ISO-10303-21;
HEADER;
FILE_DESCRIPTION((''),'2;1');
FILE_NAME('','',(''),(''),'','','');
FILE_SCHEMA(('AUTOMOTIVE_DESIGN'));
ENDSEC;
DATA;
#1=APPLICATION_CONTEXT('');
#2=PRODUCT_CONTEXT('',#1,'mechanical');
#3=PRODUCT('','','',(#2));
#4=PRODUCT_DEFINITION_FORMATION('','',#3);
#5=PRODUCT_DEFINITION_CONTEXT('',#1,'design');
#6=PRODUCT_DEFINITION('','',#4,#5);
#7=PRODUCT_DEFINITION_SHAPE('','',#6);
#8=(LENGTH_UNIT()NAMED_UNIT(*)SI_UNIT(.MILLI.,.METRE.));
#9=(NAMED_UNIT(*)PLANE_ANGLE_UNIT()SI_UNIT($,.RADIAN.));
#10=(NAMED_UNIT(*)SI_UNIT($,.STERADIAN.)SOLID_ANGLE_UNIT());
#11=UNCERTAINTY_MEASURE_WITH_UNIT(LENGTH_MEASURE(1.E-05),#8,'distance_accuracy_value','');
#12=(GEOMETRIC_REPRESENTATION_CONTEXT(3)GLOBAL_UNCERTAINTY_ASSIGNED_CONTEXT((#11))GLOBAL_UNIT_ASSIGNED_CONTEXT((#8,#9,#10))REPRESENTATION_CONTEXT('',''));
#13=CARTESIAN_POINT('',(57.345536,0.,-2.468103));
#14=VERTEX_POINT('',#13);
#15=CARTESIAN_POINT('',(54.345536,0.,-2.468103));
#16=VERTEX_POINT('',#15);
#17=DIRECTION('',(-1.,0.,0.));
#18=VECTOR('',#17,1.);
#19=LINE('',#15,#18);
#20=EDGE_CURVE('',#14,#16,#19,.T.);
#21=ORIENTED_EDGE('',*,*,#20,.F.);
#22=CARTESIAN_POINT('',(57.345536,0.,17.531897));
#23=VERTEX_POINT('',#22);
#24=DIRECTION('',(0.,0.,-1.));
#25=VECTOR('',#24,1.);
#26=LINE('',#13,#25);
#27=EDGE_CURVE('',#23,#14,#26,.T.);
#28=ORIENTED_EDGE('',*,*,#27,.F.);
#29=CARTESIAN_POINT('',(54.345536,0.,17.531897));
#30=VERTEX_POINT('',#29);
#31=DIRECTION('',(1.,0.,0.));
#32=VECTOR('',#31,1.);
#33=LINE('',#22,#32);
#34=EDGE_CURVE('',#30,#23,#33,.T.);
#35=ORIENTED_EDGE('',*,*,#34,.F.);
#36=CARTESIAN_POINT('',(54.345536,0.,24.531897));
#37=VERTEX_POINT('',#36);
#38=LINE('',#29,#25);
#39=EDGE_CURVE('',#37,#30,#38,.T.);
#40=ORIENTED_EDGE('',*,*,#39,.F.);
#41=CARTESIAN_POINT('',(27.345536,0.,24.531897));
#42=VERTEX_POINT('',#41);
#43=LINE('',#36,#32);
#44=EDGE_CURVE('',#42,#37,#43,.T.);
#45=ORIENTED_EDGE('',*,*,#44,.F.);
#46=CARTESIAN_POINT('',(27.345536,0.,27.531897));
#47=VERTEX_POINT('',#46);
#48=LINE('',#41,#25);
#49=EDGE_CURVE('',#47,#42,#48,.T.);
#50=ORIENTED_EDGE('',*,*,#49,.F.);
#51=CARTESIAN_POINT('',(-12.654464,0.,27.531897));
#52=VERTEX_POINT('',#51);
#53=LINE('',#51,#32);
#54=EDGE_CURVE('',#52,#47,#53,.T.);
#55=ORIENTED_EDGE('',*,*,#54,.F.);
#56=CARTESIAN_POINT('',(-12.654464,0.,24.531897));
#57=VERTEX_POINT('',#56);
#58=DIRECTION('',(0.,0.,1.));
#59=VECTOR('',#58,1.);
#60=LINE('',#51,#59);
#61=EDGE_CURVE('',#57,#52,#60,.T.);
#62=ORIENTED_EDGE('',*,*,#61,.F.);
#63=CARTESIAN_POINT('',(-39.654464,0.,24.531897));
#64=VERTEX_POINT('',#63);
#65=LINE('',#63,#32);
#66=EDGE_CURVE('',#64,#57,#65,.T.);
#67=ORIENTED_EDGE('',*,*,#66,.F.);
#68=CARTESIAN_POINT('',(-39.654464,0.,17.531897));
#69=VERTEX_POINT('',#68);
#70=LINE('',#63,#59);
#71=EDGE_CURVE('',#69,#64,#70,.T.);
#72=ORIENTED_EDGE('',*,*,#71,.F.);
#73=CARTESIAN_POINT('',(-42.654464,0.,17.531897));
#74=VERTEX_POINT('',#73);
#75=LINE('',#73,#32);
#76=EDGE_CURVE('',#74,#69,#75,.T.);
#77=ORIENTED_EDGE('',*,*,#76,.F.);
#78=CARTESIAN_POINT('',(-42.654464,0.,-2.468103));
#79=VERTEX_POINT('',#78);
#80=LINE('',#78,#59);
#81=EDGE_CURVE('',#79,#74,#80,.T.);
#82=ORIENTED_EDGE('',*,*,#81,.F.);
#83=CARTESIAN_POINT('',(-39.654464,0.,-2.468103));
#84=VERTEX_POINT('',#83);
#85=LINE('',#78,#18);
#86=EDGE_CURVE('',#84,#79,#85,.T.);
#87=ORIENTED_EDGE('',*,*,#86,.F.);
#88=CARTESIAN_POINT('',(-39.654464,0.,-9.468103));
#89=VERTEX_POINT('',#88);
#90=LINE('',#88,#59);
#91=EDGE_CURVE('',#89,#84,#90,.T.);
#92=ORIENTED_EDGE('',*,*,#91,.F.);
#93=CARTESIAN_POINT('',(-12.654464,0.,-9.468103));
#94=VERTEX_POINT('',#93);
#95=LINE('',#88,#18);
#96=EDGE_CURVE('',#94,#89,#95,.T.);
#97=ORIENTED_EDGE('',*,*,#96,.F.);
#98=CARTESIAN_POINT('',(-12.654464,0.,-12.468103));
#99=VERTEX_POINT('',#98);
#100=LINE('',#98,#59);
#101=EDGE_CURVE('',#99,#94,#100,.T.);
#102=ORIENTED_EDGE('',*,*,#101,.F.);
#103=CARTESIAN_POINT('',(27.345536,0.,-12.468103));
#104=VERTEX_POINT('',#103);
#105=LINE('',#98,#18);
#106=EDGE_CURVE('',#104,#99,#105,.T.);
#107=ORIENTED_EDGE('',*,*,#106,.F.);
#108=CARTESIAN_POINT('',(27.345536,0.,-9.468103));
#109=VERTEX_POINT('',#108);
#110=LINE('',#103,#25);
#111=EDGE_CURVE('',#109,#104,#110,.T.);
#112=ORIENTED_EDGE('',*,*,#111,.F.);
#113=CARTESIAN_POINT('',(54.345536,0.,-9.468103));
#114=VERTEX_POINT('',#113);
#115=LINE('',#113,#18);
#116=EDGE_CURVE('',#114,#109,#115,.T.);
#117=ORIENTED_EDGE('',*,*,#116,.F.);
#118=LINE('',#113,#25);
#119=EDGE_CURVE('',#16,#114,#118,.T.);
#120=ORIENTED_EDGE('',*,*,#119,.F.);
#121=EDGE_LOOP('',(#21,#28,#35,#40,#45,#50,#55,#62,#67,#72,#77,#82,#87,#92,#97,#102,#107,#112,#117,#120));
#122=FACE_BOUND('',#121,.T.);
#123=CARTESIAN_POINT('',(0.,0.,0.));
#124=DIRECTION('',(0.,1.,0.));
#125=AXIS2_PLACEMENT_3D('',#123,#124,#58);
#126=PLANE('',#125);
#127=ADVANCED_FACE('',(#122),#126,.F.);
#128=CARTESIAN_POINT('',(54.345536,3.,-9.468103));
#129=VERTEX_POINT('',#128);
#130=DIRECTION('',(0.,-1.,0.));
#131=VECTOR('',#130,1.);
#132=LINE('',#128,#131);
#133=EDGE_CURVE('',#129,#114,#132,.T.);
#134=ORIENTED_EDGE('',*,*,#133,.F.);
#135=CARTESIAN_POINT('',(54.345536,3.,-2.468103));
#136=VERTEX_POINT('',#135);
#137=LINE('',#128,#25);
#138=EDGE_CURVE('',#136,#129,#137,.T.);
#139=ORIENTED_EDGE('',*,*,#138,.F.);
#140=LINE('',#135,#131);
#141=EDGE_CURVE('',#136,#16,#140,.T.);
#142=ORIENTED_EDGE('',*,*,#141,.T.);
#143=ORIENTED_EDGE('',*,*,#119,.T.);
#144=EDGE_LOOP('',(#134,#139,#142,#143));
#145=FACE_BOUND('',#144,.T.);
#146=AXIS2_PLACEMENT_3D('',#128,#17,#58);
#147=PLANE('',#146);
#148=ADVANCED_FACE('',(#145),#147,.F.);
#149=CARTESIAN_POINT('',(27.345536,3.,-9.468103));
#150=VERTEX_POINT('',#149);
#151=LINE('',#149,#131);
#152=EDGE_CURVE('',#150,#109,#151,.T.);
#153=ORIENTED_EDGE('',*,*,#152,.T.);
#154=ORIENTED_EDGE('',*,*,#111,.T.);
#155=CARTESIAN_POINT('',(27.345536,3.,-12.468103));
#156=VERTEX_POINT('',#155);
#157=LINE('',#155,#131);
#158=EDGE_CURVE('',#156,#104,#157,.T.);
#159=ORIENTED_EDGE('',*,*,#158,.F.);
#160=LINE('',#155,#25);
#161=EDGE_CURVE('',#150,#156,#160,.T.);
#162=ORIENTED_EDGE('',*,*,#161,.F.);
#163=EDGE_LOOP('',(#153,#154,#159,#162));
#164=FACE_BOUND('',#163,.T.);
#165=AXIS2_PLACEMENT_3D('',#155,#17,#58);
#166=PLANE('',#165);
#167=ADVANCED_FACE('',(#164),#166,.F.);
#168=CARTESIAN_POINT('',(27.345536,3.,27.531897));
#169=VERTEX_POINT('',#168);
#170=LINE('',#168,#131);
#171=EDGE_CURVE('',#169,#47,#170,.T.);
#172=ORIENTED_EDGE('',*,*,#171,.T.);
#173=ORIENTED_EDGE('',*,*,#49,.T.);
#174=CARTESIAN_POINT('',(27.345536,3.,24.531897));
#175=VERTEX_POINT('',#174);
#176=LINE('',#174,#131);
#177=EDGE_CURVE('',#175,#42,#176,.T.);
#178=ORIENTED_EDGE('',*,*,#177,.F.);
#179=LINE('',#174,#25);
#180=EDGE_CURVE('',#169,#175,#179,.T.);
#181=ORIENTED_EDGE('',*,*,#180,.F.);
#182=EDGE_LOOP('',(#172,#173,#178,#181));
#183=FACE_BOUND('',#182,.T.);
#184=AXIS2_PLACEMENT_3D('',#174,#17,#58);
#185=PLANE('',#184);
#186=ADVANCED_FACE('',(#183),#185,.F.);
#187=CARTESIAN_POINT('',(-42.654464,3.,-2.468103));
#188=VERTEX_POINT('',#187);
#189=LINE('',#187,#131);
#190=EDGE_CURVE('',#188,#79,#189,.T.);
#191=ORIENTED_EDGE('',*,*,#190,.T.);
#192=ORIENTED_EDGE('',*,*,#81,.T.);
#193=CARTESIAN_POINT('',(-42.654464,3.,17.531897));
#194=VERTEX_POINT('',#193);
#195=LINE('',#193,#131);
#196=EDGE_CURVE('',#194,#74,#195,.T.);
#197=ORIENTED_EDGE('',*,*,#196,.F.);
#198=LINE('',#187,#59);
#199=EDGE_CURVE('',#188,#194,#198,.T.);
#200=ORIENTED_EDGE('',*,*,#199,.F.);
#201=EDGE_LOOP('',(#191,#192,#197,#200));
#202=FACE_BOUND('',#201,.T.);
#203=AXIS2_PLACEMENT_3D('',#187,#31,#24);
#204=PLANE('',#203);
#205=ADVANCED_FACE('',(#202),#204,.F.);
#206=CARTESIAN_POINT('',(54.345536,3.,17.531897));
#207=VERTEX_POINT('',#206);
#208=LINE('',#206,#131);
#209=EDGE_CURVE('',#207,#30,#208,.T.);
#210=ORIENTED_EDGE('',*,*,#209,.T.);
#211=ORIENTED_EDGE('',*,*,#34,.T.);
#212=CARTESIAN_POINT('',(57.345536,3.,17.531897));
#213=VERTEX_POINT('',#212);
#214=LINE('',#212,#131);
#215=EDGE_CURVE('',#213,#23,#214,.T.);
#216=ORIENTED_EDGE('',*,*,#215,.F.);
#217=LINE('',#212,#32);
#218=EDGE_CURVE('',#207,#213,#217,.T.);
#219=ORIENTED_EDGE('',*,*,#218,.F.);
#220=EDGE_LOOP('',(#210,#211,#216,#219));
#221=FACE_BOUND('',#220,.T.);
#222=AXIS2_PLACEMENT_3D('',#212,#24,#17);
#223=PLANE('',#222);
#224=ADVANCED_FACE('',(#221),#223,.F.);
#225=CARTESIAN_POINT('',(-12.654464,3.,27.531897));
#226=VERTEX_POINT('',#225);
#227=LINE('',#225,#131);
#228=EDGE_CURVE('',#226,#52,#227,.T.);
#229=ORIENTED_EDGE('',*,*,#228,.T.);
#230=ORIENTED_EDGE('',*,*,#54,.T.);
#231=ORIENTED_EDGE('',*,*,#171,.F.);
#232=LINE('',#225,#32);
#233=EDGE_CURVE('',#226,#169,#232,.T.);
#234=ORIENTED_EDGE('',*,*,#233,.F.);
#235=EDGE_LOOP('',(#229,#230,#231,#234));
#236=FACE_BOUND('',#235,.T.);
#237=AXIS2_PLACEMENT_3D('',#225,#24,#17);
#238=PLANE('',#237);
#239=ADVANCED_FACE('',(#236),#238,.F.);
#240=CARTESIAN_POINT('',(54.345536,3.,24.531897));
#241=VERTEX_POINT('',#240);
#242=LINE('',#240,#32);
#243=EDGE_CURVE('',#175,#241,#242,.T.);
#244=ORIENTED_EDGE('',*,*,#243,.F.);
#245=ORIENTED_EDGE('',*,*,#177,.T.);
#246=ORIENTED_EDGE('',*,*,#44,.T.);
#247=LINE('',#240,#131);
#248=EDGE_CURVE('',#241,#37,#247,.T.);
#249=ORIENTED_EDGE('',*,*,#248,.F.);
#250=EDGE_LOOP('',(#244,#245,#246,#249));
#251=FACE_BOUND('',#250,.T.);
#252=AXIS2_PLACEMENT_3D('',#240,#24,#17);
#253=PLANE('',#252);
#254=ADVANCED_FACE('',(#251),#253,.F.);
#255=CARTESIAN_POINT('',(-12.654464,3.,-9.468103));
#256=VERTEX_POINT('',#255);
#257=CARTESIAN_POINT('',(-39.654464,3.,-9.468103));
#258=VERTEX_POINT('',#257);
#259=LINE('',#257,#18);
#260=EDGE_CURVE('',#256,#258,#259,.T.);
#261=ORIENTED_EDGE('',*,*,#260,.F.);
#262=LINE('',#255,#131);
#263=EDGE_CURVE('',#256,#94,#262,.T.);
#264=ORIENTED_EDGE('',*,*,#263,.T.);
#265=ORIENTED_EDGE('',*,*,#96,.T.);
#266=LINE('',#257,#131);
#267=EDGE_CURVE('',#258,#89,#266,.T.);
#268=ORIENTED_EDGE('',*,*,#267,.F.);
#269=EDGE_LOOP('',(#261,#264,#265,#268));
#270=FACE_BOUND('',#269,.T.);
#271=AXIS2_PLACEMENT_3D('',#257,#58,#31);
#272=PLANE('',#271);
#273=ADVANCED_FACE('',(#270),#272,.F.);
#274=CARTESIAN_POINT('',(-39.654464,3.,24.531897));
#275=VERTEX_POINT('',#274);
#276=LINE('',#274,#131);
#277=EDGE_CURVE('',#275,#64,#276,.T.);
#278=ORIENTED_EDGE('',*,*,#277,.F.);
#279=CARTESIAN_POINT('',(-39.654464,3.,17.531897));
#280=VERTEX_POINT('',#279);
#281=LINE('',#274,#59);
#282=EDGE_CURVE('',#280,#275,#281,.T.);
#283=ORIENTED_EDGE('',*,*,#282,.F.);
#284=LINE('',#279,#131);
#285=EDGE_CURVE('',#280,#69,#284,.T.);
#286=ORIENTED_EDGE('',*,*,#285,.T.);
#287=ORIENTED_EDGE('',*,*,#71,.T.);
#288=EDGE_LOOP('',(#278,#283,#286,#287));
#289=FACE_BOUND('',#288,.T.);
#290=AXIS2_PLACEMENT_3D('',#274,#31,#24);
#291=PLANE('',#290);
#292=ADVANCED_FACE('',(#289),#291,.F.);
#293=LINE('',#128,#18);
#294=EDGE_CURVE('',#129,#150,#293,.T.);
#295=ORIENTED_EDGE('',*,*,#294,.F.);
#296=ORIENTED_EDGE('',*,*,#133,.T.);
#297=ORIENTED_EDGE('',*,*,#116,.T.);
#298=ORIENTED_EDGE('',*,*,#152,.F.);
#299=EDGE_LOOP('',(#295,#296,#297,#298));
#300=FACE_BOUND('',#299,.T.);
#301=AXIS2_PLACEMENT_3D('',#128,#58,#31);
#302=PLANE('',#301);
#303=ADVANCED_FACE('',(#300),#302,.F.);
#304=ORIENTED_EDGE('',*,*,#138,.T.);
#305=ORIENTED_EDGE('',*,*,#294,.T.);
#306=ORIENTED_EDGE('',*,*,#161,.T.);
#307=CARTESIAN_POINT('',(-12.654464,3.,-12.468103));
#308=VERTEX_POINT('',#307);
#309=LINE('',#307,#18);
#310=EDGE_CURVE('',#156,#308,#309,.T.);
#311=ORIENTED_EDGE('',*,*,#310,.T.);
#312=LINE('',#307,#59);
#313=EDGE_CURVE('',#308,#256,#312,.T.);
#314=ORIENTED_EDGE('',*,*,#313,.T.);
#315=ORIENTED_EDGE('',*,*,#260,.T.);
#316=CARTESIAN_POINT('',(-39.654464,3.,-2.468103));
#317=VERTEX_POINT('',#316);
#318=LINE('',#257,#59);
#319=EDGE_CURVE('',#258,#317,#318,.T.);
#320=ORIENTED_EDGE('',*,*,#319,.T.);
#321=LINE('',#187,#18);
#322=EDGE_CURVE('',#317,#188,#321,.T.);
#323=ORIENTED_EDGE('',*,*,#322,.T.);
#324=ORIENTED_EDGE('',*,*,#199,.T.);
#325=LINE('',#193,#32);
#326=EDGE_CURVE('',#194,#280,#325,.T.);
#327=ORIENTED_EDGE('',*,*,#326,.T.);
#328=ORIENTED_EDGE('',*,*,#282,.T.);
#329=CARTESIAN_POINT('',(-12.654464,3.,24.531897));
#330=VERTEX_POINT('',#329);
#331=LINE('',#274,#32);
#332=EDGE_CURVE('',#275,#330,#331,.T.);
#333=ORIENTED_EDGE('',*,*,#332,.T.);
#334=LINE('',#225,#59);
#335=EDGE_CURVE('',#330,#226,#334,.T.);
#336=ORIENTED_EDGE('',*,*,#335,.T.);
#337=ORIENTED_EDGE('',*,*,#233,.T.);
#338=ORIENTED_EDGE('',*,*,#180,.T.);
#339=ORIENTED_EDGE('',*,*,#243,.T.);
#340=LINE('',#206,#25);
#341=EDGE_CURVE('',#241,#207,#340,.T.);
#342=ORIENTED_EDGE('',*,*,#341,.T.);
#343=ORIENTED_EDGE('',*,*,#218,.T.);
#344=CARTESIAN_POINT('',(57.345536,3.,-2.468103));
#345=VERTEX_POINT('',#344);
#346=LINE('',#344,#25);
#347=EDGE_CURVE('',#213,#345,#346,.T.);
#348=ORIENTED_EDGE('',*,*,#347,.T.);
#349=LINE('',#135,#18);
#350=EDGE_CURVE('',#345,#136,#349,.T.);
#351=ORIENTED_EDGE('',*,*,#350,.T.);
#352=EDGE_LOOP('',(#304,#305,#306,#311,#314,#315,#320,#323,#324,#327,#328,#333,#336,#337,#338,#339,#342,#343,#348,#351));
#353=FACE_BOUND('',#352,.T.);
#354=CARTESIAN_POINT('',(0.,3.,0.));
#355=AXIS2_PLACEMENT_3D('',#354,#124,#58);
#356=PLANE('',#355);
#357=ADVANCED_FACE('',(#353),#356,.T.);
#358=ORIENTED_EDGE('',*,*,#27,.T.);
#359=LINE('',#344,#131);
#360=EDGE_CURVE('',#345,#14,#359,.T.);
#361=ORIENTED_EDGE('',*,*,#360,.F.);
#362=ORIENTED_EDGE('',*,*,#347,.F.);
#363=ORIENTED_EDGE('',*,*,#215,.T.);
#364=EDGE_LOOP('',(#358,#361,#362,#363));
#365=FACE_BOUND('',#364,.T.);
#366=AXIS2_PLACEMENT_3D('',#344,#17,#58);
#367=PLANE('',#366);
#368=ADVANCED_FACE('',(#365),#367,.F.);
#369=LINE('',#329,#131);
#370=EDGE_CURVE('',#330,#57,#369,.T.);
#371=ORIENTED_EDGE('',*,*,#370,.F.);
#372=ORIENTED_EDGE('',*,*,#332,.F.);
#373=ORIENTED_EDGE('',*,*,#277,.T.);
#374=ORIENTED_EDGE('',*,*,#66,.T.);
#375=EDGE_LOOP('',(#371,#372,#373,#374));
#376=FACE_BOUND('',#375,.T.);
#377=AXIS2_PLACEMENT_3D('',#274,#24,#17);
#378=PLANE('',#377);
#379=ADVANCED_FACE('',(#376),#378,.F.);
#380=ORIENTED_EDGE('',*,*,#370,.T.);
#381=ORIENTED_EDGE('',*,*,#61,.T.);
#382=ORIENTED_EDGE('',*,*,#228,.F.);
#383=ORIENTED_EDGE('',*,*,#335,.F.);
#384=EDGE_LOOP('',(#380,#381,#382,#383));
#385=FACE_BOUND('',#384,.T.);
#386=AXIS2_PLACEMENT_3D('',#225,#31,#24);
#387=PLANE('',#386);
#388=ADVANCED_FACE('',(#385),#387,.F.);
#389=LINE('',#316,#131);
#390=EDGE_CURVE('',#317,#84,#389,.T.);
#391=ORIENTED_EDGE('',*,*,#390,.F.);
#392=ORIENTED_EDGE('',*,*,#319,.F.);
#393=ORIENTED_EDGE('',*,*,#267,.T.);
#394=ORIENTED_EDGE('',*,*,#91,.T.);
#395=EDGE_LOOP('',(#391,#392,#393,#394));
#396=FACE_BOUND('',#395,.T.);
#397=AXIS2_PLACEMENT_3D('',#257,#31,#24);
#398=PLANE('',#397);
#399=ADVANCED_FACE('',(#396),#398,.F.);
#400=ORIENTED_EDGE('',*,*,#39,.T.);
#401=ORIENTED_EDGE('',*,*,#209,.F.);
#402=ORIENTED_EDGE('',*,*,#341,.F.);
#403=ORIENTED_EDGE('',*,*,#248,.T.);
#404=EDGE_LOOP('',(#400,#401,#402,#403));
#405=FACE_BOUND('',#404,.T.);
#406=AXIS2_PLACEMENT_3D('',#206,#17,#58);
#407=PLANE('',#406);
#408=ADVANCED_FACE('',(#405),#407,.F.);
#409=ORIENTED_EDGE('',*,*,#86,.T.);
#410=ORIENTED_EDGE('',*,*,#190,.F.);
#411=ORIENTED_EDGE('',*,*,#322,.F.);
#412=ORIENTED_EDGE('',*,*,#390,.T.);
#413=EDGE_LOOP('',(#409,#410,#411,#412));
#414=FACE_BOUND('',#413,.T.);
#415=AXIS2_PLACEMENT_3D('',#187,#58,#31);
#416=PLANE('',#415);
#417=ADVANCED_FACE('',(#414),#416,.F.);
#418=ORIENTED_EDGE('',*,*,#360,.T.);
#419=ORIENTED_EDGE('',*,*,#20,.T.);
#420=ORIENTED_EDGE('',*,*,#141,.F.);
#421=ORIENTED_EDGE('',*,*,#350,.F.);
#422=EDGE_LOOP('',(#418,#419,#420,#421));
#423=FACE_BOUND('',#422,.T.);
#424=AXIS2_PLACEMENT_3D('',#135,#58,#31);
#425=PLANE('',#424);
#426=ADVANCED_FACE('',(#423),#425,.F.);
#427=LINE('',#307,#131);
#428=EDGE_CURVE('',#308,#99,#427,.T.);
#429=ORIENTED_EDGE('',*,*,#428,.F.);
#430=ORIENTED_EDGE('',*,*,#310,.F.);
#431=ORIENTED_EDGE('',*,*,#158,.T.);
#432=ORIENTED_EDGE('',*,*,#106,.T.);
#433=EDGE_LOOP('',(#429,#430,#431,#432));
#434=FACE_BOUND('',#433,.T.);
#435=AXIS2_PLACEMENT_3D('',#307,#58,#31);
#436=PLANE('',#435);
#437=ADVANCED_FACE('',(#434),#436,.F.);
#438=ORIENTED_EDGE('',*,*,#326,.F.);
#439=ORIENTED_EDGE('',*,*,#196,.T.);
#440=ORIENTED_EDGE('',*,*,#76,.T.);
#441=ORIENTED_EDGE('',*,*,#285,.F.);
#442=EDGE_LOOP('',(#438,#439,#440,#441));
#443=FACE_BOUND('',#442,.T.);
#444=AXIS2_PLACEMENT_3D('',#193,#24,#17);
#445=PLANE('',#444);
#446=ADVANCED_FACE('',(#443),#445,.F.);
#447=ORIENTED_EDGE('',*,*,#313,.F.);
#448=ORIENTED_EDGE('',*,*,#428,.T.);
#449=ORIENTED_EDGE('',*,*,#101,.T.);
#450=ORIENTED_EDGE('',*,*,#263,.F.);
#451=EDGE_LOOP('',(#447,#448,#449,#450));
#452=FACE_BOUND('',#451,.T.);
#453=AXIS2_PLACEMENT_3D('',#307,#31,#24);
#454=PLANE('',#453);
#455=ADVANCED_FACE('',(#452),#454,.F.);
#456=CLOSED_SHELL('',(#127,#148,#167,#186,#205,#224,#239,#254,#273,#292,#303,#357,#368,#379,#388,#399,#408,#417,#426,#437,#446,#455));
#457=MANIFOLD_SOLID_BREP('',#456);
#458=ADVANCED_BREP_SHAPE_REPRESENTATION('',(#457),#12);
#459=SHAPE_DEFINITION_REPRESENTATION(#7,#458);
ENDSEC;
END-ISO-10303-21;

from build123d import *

# Parameters (mm, degrees)
BOSS_EXTRU_1_DEPTH = 3


with BuildPart() as part:
    # Esquisse1 → Boss.-Extru.1 (new body)
    with BuildSketch(Plane(origin=(0, 0, 0), x_dir=(1, 0, 0), z_dir=(0, 1, 0))):
        Polygon((-12.654463931, 12.468102837), (27.345536069, 12.468102837), (27.345536069, 9.468102837), (54.345536069, 9.468102837), (54.345536069, 2.468102837), (57.345536069, 2.468102837), (57.345536069, -17.531897163), (54.345536069, -17.531897163), (54.345536069, -24.531897163), (27.345536069, -24.531897163), (27.345536069, -27.531897163), (-12.654463931, -27.531897163), (-12.654463931, -24.531897163), (-39.654463931, -24.531897163), (-39.654463931, -17.531897163), (-42.654463931, -17.531897163), (-42.654463931, 2.468102837), (-39.654463931, 2.468102837), (-39.654463931, 9.468102837), (-12.654463931, 9.468102837), align=None)
    extrude(amount=BOSS_EXTRU_1_DEPTH)


solid = part.part
